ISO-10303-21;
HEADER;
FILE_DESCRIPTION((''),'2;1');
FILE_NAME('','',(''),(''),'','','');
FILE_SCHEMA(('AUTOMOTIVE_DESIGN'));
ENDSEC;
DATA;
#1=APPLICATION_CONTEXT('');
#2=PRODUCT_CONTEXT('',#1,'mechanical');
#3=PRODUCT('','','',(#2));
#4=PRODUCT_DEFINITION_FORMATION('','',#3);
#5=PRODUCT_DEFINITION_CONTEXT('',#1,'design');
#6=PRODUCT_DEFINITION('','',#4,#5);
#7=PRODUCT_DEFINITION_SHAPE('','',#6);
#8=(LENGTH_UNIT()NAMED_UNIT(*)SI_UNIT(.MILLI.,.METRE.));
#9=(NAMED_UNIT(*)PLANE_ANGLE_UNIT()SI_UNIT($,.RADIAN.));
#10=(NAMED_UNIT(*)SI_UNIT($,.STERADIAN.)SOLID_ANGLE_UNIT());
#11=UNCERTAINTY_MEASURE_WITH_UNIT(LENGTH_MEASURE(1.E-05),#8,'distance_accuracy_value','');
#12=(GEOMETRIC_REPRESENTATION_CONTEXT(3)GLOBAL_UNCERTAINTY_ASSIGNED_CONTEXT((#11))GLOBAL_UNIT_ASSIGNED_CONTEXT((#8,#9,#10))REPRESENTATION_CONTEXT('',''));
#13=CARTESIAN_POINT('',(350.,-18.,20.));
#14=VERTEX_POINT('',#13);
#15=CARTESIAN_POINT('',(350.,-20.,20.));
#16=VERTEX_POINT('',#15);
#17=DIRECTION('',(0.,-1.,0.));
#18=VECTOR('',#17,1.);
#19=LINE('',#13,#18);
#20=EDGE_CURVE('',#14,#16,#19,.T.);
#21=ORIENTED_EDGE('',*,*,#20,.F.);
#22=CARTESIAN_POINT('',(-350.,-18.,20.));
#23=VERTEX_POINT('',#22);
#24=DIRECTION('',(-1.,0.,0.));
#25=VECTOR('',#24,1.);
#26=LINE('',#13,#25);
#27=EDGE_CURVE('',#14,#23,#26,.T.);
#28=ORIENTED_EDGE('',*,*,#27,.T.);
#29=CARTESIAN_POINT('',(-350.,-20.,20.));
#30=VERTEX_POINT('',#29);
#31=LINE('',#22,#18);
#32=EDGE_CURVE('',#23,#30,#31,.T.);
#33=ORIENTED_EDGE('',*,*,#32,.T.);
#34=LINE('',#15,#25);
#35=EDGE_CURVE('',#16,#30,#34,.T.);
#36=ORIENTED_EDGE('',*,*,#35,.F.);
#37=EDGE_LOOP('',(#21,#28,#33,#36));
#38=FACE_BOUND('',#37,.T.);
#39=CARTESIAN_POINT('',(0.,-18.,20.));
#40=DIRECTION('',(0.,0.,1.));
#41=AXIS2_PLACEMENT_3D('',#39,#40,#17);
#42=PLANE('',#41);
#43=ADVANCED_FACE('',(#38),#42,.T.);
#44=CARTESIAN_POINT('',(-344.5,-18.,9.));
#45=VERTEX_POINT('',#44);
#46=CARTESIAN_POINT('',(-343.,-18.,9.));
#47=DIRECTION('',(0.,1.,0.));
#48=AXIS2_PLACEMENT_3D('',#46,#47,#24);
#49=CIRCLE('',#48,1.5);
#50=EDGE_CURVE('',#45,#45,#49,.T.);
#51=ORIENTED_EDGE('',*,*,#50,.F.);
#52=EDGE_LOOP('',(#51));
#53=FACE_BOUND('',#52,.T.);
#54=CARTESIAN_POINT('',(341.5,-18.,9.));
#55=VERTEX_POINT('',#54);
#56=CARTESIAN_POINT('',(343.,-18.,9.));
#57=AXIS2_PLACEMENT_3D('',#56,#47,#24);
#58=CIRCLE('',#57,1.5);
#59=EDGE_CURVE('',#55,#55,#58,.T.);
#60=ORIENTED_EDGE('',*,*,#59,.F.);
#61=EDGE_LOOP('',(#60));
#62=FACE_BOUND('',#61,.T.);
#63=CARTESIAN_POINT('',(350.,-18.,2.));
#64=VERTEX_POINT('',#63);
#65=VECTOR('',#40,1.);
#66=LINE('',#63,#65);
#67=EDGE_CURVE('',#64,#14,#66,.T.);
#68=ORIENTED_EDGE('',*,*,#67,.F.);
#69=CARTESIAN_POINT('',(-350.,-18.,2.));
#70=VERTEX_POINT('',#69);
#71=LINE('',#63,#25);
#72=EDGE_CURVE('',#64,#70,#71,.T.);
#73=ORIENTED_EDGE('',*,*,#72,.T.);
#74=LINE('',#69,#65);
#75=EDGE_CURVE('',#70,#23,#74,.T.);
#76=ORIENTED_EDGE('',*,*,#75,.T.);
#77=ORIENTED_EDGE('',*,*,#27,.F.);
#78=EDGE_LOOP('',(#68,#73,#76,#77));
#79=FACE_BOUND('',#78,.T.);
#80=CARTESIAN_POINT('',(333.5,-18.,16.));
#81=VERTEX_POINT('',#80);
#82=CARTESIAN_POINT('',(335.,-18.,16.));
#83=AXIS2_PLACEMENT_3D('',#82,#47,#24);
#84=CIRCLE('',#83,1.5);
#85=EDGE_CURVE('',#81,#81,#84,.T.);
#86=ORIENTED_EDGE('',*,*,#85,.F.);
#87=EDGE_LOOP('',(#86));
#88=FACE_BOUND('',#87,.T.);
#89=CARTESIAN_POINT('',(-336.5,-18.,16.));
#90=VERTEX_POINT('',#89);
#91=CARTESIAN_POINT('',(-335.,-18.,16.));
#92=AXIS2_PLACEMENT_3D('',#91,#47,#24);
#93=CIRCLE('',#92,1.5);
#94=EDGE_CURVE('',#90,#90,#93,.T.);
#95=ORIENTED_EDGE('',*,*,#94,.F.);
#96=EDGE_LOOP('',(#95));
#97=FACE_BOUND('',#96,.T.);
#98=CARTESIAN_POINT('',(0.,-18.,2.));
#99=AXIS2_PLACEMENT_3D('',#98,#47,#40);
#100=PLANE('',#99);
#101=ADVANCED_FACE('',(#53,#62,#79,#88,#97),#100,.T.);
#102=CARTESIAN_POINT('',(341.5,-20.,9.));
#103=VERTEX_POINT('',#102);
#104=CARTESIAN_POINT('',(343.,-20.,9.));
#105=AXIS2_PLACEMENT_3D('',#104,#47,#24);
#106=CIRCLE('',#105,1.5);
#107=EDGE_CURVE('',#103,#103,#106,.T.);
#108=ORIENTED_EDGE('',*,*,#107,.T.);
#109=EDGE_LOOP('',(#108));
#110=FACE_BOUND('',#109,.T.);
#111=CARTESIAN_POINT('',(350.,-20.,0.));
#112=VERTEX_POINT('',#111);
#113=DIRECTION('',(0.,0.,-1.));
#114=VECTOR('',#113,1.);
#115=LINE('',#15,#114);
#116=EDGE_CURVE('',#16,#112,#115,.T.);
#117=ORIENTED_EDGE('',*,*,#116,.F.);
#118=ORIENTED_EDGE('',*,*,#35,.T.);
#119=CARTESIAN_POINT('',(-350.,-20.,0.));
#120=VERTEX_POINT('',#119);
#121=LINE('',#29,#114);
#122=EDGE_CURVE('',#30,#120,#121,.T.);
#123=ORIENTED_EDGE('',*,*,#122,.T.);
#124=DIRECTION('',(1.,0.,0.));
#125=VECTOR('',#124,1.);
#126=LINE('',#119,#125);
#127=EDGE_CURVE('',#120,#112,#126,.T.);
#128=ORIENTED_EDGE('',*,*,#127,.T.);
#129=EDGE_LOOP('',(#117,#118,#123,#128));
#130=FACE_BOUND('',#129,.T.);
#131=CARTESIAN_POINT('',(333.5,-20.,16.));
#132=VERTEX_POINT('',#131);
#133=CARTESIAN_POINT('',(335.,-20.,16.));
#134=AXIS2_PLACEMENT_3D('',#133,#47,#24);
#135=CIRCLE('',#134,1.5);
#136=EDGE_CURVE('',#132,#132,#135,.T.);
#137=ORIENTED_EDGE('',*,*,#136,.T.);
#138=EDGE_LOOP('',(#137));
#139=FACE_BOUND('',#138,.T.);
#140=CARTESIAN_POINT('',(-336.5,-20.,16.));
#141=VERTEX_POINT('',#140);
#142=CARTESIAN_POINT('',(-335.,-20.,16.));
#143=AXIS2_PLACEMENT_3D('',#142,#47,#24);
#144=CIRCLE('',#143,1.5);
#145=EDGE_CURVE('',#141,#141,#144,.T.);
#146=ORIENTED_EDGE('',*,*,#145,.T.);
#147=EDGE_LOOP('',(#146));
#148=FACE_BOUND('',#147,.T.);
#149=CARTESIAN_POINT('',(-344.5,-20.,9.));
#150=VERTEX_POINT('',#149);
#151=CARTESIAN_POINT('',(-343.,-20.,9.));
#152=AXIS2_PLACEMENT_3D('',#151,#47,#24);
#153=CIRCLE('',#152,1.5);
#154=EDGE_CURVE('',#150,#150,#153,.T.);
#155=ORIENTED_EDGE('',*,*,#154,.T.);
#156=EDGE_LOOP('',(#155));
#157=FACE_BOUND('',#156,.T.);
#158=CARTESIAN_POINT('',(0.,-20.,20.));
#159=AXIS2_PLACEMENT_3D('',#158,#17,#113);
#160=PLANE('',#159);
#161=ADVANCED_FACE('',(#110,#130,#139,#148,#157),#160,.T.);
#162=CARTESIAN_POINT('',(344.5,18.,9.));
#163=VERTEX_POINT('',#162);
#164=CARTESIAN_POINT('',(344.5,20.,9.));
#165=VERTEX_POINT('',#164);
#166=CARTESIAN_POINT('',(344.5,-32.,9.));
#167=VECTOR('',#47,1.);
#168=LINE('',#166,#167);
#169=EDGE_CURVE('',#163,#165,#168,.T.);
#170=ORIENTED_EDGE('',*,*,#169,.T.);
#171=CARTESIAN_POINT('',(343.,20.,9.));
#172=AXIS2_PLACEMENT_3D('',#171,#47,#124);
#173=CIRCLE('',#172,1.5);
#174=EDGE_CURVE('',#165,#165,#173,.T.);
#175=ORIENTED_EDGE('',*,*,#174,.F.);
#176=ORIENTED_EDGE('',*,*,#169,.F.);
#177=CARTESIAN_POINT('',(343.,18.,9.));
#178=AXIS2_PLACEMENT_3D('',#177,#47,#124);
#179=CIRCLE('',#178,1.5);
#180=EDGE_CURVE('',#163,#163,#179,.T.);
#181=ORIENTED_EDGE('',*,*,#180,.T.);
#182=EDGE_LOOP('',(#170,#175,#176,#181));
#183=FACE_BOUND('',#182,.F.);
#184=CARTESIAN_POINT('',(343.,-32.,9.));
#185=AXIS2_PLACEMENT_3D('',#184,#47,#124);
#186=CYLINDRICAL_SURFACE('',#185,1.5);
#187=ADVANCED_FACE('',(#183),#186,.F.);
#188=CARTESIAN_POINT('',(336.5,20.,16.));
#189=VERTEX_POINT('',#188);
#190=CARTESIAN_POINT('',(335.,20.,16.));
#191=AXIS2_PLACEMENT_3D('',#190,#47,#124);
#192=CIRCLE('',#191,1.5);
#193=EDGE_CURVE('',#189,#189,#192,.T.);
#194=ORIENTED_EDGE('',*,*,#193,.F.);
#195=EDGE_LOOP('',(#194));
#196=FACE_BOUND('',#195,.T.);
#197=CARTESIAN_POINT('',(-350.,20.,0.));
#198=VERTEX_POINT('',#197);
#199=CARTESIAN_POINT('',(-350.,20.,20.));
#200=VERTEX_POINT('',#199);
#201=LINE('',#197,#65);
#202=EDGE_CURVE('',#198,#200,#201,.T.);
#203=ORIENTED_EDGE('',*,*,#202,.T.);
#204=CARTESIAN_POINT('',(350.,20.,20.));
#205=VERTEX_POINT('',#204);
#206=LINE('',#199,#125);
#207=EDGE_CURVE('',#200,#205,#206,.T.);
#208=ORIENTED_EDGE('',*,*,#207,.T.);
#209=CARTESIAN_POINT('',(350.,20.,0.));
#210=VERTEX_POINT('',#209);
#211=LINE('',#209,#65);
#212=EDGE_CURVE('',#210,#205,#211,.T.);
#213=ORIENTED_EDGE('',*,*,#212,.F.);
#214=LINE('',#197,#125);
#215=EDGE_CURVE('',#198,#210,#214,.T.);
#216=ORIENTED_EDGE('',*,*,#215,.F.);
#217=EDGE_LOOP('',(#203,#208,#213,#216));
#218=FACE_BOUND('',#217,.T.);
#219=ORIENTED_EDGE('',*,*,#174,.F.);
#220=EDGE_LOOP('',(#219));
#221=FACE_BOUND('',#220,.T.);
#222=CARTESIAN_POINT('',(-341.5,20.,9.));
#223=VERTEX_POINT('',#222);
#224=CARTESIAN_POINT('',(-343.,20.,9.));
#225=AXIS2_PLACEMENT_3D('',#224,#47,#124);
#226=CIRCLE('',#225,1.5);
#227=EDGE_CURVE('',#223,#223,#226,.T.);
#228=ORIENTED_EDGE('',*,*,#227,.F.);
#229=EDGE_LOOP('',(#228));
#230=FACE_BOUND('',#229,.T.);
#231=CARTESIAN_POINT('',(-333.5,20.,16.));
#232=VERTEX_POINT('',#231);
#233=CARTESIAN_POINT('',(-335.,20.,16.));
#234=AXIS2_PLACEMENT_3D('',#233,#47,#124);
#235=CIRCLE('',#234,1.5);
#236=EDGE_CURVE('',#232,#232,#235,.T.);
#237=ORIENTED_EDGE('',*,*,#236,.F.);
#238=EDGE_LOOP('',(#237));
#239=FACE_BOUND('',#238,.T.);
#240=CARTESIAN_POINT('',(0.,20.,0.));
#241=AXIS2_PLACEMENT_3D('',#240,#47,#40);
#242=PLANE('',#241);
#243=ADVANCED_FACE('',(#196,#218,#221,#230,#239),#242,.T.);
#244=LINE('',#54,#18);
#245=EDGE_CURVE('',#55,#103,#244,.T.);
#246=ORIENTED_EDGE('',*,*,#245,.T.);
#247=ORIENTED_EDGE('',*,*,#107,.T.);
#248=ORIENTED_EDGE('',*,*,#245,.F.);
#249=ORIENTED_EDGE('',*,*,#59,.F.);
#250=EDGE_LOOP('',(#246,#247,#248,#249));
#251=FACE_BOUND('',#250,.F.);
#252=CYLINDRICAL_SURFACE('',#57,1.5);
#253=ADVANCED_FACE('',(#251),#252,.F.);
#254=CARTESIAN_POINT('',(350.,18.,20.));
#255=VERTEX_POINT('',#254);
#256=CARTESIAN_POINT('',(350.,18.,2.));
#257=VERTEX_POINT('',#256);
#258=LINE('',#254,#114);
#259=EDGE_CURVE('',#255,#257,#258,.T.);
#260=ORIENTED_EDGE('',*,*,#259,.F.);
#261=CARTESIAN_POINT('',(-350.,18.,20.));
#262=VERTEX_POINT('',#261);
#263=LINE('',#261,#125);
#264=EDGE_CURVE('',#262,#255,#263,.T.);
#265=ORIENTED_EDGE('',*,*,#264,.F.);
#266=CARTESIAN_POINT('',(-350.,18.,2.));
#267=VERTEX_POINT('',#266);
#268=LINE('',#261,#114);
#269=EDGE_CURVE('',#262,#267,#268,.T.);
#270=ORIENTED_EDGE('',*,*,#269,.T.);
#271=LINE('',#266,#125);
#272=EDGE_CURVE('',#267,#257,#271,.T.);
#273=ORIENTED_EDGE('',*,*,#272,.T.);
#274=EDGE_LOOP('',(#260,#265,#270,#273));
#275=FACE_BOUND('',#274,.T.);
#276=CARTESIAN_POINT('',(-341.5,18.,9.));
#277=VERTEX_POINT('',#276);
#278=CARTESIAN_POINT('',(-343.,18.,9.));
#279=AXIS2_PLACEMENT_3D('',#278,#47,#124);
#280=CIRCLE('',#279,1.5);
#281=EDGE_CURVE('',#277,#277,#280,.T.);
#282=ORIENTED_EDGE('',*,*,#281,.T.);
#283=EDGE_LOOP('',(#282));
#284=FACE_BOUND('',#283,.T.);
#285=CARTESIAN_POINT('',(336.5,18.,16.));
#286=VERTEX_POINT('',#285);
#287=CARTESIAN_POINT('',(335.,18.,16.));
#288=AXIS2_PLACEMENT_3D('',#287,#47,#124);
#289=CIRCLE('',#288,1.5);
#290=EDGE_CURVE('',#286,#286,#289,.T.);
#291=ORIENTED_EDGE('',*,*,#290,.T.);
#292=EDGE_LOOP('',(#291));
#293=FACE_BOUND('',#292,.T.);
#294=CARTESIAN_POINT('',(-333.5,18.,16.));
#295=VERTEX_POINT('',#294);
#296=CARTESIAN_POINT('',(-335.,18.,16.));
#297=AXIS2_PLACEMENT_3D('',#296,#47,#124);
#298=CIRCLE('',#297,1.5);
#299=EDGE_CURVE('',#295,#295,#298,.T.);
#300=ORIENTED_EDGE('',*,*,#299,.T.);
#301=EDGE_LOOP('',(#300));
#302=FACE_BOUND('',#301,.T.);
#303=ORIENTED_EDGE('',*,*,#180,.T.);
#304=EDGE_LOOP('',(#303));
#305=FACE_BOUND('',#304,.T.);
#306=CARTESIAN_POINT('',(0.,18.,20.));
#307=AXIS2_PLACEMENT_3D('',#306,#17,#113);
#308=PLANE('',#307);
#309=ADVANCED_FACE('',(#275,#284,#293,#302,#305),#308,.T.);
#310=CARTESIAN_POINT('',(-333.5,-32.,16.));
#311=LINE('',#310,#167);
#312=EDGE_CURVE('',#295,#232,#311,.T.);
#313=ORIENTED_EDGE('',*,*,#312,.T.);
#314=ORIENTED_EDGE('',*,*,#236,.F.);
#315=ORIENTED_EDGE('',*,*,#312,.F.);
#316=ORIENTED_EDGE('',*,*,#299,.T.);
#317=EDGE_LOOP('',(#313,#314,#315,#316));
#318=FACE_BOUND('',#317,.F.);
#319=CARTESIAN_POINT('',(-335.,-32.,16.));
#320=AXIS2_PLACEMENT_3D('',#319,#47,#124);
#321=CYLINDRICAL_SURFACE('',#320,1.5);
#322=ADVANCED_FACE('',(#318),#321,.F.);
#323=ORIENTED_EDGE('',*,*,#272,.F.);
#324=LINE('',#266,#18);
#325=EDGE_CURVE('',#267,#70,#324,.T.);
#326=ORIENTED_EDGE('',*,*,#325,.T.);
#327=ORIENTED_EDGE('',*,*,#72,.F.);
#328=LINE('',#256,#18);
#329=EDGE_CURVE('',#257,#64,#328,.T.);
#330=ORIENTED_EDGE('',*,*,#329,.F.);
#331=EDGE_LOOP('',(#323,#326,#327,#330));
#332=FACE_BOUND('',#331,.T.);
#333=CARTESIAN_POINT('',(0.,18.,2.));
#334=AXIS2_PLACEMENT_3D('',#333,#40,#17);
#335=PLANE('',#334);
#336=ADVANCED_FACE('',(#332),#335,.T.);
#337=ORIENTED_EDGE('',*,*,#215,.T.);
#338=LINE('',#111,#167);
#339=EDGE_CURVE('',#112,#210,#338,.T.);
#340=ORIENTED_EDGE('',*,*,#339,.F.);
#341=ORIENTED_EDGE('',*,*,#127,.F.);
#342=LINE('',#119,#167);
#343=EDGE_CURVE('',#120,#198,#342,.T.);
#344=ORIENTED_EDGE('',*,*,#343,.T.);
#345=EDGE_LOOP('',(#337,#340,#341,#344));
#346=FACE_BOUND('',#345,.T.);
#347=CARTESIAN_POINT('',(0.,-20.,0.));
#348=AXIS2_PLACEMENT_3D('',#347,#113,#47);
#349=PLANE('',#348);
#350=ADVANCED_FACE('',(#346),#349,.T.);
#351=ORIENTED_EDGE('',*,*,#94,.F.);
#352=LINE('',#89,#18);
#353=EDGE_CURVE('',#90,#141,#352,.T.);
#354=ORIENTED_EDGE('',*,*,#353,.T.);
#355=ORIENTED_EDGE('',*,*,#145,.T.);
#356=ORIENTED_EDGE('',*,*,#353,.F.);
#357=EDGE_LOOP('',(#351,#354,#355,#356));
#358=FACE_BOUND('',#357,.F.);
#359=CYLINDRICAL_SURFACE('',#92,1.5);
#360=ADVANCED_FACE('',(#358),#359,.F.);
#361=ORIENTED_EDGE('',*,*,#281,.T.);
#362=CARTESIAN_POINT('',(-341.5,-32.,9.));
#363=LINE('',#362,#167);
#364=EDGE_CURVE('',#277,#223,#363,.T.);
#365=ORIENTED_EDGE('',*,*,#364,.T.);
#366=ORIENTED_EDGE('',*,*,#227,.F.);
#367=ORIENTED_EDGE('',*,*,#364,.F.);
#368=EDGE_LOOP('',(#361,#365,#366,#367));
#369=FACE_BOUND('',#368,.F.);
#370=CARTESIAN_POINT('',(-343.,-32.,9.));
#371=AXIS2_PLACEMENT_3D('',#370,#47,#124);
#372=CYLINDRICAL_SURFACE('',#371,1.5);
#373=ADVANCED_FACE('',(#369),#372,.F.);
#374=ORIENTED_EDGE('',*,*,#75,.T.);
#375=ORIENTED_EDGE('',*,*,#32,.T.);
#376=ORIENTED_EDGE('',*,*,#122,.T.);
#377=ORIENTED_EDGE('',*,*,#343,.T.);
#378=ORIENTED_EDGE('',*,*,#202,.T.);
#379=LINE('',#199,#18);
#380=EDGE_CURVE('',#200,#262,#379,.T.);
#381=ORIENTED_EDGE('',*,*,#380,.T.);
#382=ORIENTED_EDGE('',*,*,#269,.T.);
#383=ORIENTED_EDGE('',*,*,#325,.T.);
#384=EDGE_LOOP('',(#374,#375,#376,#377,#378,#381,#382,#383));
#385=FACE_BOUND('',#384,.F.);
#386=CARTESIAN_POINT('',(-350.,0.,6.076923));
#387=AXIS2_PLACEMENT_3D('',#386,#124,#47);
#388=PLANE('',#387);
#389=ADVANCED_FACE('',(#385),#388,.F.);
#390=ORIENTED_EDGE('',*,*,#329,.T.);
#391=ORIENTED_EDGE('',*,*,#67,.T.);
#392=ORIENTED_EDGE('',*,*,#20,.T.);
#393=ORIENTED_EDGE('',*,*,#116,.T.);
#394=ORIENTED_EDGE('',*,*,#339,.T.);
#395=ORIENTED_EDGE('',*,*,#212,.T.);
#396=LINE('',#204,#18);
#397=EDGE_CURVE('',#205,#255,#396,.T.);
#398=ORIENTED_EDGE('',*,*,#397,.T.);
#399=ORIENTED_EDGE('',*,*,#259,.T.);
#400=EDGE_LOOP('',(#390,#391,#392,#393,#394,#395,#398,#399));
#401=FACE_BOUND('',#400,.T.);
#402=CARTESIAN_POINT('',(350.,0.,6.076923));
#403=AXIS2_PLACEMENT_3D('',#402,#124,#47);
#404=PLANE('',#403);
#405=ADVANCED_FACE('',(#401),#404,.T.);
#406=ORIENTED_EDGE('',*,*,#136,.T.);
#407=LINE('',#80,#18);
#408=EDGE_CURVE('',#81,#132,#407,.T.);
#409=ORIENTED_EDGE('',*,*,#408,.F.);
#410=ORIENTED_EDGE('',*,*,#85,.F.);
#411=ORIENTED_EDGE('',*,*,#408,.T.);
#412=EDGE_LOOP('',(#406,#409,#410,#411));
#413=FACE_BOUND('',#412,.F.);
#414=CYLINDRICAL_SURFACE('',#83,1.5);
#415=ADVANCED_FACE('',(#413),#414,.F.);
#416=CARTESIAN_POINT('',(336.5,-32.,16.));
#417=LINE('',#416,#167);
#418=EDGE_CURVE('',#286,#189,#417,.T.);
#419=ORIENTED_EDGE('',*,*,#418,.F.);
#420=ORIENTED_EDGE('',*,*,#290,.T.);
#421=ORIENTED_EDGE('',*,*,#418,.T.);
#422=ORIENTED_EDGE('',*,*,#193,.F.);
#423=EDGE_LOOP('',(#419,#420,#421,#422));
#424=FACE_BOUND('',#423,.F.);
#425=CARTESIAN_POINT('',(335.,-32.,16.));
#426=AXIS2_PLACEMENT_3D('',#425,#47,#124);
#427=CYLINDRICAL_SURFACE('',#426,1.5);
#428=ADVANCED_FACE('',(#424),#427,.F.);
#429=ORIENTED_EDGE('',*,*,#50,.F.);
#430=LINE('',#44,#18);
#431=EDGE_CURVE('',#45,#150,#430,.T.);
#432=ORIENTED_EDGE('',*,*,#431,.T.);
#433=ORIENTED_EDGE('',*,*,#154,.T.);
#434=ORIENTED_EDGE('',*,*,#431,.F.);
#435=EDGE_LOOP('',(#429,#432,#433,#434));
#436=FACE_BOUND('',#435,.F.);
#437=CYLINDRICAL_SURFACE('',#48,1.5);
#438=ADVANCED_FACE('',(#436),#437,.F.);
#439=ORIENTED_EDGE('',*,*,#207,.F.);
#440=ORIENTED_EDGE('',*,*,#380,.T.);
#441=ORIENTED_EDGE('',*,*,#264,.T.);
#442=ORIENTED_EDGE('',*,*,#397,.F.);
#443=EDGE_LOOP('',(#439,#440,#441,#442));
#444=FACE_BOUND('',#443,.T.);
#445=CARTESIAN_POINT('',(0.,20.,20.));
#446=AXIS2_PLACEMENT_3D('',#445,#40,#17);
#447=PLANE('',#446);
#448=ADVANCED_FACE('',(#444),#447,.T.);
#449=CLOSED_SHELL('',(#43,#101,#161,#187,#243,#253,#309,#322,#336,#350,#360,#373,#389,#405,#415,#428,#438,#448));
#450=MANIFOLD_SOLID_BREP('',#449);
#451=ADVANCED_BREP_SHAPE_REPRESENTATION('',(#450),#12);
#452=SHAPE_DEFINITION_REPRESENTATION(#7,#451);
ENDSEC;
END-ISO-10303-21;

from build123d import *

# Parameters (mm, degrees)
F1_DEPTH      = 350
F1_DEPTH_BACK = 350
F3_D          = 3
F3_DEPTH      = 50
F3_TIP        = 0.9012909285
F4_D          = 3
F4_DEPTH      = 50
F4_START      = 36
F4_TIP        = 0.9012909285


with BuildPart() as f1:
    # F0 (on Right) → F1 (new body, two sides)
    with BuildSketch(Plane.YZ) as f1_sk:
        Polygon((-20, 20), (-20, 0), (20, 0), (20, 20), (18, 20), (18, 2), (-18, 2), (-18, 20), align=None)
    extrude(amount=F1_DEPTH)
    extrude(f1_sk.sketch, amount=-F1_DEPTH_BACK)

    # F3 (one way)
    with BuildSketch(Plane(origin=(0, -18, 0), x_dir=(-1, 0, 0), z_dir=(0, 1, 0))):
        with Locations((-343, 9), (343, 9), (335, 16), (-335, 16)):
            Circle(F3_D / 2)
    extrude(amount=-F3_DEPTH, mode=Mode.SUBTRACT)
    with Locations(Plane(origin=(0, -18, 0), x_dir=(-1, 0, 0), z_dir=(0, 1, 0))):
        with Locations((-343, 9), (343, 9), (335, 16), (-335, 16)):
            with Locations((0, 0, -(F3_DEPTH + F3_TIP / 2))):  # 118° drill point
                Cone(0, F3_D / 2, F3_TIP, mode=Mode.SUBTRACT)

    # F4
    # its depths count from where the whole tool has entered the part; down to there all is cleared
    with Locations(Plane(origin=(0, -18, 0), x_dir=(-1, 0, 0), z_dir=(0, -1, 0)).offset(-F4_START)):
        with Locations((-343, -9), (343, -9), (-335, -16), (335, -16)):
            Hole(F4_D / 2, depth=F4_DEPTH)
            with Locations((0, 0, -(F4_DEPTH + F4_TIP / 2))):  # 118° drill point
                Cone(0, F4_D / 2, F4_TIP, mode=Mode.SUBTRACT)


solid = f1.part
